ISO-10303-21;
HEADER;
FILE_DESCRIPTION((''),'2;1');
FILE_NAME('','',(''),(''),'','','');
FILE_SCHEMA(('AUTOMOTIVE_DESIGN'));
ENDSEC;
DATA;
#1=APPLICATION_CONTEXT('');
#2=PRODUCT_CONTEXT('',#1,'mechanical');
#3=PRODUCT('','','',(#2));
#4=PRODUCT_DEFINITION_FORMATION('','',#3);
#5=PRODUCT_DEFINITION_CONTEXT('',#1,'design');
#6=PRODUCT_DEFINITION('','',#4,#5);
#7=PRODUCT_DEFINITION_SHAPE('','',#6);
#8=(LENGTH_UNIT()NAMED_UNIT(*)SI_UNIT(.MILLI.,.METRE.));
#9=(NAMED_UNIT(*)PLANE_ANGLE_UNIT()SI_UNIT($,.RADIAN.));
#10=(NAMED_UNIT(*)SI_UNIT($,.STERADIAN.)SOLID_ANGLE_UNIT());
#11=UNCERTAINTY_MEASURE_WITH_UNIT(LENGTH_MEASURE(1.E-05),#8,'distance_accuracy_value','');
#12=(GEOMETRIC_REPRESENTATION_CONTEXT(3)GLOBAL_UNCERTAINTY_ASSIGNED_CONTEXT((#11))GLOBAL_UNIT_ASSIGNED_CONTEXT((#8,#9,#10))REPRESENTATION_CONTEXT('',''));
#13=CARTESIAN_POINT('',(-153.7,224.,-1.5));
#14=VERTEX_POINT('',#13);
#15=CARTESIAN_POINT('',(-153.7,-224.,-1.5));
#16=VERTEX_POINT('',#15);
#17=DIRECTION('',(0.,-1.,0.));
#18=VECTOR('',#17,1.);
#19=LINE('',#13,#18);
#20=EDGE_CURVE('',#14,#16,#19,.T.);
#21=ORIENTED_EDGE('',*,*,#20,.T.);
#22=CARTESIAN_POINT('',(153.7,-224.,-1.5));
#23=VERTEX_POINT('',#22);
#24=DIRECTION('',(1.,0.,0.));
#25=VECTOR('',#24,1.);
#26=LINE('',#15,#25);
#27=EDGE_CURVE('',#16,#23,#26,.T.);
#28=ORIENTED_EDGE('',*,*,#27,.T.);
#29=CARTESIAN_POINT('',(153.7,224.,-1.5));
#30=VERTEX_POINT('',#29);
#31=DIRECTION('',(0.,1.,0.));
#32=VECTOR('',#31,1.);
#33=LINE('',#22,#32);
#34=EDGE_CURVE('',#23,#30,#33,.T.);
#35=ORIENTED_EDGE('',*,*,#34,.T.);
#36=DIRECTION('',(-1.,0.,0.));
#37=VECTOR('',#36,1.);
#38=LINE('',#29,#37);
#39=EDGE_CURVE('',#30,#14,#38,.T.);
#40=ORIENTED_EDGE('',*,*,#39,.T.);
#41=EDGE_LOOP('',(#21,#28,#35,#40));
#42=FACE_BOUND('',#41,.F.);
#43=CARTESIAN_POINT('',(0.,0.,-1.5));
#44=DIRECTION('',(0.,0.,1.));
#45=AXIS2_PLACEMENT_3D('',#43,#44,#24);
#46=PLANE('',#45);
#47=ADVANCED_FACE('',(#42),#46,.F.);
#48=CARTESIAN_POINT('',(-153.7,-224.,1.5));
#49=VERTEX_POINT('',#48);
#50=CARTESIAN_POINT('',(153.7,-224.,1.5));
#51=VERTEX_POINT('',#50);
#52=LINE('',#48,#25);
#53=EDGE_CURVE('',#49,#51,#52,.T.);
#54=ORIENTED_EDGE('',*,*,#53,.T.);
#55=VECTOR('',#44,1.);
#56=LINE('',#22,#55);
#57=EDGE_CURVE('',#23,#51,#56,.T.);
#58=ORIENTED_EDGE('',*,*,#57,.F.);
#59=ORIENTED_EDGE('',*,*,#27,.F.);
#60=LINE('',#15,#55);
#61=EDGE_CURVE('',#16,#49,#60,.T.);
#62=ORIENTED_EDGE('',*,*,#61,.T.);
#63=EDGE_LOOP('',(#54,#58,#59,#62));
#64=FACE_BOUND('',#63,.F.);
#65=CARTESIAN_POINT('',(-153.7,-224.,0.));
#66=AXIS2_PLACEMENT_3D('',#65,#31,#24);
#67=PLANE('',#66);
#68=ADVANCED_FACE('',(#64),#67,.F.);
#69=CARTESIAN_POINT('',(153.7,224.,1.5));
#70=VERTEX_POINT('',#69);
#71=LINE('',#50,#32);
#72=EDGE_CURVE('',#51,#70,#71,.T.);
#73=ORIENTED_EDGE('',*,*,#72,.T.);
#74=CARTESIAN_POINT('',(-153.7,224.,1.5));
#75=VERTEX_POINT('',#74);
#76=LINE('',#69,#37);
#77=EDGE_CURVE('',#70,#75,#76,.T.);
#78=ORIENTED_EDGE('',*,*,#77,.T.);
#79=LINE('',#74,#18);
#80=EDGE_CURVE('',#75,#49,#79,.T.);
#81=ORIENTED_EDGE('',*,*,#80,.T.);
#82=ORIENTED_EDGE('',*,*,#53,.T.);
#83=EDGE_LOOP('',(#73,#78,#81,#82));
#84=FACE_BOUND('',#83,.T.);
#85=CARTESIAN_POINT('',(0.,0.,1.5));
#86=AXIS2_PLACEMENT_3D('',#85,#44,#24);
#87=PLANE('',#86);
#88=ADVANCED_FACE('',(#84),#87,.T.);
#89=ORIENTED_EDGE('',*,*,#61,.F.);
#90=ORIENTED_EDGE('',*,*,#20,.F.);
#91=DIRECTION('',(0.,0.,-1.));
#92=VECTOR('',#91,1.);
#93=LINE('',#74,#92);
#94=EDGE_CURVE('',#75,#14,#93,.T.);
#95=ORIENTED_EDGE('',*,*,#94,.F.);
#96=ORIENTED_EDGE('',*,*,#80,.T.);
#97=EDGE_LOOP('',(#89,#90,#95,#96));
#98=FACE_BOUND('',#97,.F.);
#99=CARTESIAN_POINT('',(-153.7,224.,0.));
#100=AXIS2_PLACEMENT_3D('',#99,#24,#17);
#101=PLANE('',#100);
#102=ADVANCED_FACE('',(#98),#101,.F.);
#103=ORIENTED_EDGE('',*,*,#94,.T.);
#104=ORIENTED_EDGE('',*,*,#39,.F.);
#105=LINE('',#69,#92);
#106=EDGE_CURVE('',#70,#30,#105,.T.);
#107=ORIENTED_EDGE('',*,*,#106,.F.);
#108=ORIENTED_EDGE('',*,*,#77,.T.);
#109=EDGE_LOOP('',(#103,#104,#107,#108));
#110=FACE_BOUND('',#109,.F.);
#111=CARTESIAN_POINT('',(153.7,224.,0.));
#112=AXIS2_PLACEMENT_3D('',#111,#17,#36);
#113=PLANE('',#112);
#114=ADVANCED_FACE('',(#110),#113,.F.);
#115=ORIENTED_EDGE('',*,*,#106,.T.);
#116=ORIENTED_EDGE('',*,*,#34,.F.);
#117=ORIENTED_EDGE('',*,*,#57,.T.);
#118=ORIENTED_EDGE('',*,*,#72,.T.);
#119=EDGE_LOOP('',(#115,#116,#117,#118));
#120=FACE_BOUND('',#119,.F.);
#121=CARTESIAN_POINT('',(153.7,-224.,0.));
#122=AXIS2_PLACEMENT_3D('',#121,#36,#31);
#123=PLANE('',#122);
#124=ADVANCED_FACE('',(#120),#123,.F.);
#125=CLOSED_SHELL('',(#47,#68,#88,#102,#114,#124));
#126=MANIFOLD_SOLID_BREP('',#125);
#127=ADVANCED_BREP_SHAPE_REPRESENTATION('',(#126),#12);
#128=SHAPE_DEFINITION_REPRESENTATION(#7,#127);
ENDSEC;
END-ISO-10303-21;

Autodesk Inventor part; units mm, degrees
ref_plane "YZ Plane" through (0, 0, 0) normal (1, 0, 0) x (0, 1, 0)
ref_plane "XZ Plane" through (0, 0, 0) normal (0, 1, 0) x (-1, 0, 0)
ref_plane "XY Plane" through (0, 0, 0) normal (0, 0, 1) x (1, 0, 0)
sketch "Esquisse1" plane through (0, 0, 0) normal (0, 0, 1) x (1, 0, 0)
  line L0 (-153.7, -224) -> (153.7, -224)
  line L1 (153.7, -224) -> (153.7, 224)
  line L2 (153.7, 224) -> (-153.7, 224)
  line L3 (-153.7, 224) -> (-153.7, -224)
  line L4 (-153.7, -224) -> (153.7, 224) construction
  line L5 (153.7, -224) -> (-153.7, 224) construction
  point P0 (0, 0)
  dimension "Profondeur_plaque_coté" = 307.4
  dimension "Hauteur_plaque_coté" = 448
extrude "Embase" add sketch "Esquisse1" along normal mid plane 3
properties part number "Plaque coté" material "Plastique PMMA"
